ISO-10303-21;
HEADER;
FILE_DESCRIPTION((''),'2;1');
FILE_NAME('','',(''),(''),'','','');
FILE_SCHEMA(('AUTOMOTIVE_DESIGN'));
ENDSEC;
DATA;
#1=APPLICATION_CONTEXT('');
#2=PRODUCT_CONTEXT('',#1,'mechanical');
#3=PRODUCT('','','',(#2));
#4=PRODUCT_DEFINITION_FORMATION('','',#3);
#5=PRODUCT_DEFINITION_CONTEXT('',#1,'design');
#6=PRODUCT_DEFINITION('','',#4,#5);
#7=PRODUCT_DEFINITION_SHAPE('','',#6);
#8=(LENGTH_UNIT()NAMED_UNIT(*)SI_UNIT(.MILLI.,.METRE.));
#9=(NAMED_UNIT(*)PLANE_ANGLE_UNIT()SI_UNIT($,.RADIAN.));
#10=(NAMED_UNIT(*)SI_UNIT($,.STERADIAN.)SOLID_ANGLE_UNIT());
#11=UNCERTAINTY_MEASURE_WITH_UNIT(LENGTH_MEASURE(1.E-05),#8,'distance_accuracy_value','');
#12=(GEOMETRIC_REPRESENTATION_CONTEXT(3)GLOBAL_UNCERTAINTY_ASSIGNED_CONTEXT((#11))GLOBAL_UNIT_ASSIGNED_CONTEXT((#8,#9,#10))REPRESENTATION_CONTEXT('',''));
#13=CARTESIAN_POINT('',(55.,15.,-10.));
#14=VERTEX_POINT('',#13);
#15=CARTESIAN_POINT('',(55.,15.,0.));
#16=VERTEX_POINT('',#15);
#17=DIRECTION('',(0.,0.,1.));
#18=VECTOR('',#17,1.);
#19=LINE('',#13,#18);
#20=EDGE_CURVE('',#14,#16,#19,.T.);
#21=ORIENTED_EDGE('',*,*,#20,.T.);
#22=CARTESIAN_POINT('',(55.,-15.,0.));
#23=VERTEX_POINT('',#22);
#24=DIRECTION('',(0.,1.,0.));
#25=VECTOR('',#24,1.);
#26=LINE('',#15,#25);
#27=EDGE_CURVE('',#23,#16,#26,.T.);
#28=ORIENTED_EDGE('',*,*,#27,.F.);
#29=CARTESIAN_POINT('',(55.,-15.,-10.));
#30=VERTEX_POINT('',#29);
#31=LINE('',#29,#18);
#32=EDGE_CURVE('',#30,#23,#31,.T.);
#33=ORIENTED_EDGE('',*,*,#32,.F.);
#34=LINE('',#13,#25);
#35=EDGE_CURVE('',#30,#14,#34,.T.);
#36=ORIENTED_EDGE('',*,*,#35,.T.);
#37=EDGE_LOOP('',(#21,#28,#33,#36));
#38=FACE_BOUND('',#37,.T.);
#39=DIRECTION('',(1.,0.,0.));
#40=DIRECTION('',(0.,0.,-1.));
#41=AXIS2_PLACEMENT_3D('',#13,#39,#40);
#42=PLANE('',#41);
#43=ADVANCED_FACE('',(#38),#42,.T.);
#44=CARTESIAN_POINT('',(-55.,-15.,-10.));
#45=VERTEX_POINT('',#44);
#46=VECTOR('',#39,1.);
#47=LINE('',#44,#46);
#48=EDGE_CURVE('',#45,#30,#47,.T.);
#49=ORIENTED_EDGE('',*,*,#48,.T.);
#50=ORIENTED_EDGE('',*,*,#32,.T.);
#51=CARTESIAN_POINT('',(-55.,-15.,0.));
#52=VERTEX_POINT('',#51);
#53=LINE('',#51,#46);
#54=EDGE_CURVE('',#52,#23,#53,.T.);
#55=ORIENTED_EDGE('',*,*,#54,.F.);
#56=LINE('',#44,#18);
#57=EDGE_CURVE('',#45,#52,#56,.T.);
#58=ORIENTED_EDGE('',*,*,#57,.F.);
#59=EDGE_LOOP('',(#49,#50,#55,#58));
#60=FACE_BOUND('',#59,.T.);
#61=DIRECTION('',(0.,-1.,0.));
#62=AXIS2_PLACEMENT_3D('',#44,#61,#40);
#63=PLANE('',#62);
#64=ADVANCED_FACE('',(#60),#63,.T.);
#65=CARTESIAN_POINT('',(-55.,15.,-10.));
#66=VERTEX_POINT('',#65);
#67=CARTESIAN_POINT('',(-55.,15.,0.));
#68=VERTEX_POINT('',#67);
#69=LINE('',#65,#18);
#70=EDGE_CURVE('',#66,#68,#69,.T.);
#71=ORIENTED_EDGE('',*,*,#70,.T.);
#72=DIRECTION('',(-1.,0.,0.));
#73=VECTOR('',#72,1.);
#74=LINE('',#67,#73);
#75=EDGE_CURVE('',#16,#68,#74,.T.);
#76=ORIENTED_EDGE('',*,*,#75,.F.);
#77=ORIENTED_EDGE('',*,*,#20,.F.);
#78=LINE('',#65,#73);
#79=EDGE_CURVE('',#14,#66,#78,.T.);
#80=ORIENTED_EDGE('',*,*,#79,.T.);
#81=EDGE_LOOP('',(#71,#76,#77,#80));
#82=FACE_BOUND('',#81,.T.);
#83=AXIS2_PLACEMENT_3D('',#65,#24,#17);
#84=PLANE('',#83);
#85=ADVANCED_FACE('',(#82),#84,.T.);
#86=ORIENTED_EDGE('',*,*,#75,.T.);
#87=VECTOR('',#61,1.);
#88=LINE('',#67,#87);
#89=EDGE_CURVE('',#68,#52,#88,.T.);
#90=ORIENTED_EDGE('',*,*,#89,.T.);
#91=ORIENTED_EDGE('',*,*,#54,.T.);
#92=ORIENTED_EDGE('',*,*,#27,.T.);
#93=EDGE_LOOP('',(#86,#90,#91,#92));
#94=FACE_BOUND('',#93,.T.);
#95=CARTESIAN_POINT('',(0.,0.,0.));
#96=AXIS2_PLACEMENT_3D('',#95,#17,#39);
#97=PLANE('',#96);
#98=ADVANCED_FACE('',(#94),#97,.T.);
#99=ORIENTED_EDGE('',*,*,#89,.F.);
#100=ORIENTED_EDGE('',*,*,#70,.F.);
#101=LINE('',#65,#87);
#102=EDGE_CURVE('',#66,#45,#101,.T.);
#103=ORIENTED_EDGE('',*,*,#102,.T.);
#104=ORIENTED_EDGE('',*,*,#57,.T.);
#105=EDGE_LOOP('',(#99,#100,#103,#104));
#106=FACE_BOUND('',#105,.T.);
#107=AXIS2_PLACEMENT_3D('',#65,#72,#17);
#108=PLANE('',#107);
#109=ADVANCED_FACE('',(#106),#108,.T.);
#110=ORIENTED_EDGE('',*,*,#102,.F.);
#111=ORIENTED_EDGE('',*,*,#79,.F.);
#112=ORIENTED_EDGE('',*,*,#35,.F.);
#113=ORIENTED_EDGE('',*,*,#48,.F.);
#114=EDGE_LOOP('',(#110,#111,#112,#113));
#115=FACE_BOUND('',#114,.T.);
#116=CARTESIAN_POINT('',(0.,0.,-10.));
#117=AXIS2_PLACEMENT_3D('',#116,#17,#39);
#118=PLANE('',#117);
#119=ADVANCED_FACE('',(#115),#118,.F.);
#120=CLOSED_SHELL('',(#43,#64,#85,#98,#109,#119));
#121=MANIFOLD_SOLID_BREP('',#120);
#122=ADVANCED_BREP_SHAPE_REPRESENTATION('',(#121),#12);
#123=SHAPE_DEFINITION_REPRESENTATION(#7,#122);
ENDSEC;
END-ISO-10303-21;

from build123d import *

# Parameters (mm, degrees)
SKETCH1_W           = 110
SKETCH1_H           = 30
BOSS_EXTRUDE1_DEPTH = 10


with BuildPart() as part:
    # Sketch1 → Boss-Extrude1 (new body)
    with BuildSketch(Plane.XY):
        Rectangle(SKETCH1_W, SKETCH1_H)
    extrude(amount=-BOSS_EXTRUDE1_DEPTH)


solid = part.part
